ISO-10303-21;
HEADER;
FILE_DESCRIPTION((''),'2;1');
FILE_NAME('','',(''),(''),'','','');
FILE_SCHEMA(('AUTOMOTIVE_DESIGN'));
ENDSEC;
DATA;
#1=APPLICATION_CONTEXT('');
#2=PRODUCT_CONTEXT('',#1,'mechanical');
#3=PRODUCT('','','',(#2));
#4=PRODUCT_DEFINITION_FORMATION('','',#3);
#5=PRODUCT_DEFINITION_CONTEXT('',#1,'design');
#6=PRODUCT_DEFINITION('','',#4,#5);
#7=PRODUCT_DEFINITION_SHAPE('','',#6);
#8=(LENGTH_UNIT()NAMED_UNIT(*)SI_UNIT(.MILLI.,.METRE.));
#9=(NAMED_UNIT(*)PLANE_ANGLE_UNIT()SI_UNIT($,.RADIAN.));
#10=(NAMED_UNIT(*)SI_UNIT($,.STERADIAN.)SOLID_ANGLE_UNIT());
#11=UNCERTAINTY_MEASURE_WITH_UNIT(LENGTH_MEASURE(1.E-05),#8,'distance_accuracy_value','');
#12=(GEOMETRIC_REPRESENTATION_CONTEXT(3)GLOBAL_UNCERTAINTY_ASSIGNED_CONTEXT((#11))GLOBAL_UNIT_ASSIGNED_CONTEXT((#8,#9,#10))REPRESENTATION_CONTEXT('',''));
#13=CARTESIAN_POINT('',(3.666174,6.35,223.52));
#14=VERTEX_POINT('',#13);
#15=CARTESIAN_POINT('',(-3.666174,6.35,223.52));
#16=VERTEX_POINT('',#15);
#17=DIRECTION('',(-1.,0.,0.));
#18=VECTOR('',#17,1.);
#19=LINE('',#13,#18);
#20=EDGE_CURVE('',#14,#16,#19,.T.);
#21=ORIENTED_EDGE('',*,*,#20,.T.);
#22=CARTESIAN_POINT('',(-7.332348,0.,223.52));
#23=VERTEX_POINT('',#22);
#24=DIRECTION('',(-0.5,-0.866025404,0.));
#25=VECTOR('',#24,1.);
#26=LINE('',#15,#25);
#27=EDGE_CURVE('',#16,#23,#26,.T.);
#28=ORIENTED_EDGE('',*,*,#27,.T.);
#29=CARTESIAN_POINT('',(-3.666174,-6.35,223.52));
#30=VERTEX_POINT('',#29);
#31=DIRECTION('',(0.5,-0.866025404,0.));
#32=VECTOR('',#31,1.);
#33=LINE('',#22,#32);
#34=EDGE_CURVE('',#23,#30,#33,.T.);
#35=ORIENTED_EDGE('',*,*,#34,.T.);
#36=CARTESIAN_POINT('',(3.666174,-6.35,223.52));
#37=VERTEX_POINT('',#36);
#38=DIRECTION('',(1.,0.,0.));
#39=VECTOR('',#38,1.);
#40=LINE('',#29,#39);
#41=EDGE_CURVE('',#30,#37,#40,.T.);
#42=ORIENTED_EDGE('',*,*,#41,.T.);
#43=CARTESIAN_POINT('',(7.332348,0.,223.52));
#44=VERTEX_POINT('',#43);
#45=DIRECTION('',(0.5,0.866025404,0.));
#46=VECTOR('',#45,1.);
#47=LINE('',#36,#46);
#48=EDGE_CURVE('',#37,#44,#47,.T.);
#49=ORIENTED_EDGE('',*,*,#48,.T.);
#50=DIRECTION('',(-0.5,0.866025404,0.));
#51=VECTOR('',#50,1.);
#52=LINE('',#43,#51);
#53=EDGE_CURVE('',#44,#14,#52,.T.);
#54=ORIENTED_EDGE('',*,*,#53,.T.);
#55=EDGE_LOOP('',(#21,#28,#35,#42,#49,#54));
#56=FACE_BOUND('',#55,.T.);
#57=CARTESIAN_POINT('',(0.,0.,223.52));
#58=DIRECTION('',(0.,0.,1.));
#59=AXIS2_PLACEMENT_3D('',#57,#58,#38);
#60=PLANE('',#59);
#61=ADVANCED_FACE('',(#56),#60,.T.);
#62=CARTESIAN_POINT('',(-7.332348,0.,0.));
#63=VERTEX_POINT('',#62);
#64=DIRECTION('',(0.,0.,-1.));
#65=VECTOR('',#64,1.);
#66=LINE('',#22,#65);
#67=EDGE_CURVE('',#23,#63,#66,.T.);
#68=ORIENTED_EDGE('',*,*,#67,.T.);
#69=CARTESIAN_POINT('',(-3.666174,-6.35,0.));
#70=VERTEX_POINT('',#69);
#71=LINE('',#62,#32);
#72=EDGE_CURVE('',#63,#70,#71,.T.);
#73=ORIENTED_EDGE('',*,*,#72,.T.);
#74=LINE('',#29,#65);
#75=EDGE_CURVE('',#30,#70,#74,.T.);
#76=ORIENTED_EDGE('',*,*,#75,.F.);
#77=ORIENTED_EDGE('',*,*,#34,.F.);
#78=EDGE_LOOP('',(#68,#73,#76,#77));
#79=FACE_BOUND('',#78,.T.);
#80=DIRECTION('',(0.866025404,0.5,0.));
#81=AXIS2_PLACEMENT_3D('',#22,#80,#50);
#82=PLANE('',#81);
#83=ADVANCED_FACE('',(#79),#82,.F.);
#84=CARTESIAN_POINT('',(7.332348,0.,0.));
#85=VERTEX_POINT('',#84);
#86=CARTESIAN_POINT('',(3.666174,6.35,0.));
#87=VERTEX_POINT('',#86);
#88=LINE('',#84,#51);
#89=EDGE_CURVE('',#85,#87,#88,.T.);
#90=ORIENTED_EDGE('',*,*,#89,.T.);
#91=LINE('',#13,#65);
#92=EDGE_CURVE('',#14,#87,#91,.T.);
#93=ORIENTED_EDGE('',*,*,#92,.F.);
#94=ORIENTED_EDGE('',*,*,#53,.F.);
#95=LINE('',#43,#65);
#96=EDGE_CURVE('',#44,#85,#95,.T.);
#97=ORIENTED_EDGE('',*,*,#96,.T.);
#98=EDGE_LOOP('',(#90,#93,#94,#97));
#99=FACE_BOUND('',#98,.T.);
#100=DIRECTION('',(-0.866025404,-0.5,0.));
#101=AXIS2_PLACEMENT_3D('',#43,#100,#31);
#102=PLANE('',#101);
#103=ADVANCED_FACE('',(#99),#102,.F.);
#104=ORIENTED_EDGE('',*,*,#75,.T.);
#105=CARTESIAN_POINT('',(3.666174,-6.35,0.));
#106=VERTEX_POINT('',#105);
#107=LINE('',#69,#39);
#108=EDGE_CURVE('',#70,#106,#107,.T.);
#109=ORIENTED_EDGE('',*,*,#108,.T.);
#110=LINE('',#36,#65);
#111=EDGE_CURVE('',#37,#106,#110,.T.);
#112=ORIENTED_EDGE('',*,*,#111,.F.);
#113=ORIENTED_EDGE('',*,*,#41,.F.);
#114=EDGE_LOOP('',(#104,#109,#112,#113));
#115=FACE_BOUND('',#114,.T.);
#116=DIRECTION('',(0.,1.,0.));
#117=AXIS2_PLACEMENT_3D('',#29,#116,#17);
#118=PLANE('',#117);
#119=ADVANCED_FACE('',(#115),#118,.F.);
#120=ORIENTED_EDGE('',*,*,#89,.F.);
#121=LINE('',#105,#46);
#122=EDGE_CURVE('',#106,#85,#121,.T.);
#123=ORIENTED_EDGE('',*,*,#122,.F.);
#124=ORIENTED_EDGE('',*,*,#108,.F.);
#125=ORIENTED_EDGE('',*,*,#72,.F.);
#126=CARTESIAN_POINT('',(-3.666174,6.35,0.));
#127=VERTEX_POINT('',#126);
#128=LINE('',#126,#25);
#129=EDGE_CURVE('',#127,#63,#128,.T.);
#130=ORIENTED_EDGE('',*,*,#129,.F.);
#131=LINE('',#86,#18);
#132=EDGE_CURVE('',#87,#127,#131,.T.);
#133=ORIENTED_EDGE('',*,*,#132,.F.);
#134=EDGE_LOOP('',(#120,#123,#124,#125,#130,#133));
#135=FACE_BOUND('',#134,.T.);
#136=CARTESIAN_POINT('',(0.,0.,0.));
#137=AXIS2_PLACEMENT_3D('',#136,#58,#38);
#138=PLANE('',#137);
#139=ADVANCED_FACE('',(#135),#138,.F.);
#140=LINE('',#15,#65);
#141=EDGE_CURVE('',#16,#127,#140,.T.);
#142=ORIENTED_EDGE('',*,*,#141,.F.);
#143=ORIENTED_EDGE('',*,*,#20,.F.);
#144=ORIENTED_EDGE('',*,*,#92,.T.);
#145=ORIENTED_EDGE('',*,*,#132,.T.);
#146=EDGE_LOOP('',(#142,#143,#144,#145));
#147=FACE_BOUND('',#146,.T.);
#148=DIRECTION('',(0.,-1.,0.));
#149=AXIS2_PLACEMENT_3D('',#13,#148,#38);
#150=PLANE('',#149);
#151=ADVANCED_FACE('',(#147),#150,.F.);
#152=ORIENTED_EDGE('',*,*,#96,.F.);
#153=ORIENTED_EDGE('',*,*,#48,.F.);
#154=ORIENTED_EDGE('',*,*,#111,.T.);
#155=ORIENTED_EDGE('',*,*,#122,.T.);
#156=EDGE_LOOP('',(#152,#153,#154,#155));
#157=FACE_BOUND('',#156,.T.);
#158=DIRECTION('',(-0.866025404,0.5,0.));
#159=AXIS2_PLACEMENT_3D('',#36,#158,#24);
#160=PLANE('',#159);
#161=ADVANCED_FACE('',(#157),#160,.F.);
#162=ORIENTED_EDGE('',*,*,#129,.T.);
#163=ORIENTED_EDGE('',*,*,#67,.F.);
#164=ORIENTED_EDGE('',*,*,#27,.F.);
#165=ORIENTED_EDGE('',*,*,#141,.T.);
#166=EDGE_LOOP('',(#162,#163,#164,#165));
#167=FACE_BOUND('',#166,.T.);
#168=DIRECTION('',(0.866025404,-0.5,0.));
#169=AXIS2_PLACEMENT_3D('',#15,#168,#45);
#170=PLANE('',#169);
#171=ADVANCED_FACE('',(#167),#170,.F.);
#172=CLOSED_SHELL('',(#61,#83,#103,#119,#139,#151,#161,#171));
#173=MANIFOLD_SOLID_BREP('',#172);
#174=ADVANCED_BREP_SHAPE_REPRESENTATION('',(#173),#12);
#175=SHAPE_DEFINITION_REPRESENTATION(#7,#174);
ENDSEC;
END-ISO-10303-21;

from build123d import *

# Parameters (mm, degrees)
BOSS_EXTRUDE1_DEPTH = 223.52


with BuildPart() as part:
    # Sketch1 → Boss-Extrude1 (new body)
    with BuildSketch(Plane.XY):
        Polygon((-7.332348419, 0), (-3.666174209, -6.35), (3.666174209, -6.35), (7.332348419, 0), (3.666174209, 6.35), (-3.666174209, 6.35), align=None)
    extrude(amount=BOSS_EXTRUDE1_DEPTH)


solid = part.part
